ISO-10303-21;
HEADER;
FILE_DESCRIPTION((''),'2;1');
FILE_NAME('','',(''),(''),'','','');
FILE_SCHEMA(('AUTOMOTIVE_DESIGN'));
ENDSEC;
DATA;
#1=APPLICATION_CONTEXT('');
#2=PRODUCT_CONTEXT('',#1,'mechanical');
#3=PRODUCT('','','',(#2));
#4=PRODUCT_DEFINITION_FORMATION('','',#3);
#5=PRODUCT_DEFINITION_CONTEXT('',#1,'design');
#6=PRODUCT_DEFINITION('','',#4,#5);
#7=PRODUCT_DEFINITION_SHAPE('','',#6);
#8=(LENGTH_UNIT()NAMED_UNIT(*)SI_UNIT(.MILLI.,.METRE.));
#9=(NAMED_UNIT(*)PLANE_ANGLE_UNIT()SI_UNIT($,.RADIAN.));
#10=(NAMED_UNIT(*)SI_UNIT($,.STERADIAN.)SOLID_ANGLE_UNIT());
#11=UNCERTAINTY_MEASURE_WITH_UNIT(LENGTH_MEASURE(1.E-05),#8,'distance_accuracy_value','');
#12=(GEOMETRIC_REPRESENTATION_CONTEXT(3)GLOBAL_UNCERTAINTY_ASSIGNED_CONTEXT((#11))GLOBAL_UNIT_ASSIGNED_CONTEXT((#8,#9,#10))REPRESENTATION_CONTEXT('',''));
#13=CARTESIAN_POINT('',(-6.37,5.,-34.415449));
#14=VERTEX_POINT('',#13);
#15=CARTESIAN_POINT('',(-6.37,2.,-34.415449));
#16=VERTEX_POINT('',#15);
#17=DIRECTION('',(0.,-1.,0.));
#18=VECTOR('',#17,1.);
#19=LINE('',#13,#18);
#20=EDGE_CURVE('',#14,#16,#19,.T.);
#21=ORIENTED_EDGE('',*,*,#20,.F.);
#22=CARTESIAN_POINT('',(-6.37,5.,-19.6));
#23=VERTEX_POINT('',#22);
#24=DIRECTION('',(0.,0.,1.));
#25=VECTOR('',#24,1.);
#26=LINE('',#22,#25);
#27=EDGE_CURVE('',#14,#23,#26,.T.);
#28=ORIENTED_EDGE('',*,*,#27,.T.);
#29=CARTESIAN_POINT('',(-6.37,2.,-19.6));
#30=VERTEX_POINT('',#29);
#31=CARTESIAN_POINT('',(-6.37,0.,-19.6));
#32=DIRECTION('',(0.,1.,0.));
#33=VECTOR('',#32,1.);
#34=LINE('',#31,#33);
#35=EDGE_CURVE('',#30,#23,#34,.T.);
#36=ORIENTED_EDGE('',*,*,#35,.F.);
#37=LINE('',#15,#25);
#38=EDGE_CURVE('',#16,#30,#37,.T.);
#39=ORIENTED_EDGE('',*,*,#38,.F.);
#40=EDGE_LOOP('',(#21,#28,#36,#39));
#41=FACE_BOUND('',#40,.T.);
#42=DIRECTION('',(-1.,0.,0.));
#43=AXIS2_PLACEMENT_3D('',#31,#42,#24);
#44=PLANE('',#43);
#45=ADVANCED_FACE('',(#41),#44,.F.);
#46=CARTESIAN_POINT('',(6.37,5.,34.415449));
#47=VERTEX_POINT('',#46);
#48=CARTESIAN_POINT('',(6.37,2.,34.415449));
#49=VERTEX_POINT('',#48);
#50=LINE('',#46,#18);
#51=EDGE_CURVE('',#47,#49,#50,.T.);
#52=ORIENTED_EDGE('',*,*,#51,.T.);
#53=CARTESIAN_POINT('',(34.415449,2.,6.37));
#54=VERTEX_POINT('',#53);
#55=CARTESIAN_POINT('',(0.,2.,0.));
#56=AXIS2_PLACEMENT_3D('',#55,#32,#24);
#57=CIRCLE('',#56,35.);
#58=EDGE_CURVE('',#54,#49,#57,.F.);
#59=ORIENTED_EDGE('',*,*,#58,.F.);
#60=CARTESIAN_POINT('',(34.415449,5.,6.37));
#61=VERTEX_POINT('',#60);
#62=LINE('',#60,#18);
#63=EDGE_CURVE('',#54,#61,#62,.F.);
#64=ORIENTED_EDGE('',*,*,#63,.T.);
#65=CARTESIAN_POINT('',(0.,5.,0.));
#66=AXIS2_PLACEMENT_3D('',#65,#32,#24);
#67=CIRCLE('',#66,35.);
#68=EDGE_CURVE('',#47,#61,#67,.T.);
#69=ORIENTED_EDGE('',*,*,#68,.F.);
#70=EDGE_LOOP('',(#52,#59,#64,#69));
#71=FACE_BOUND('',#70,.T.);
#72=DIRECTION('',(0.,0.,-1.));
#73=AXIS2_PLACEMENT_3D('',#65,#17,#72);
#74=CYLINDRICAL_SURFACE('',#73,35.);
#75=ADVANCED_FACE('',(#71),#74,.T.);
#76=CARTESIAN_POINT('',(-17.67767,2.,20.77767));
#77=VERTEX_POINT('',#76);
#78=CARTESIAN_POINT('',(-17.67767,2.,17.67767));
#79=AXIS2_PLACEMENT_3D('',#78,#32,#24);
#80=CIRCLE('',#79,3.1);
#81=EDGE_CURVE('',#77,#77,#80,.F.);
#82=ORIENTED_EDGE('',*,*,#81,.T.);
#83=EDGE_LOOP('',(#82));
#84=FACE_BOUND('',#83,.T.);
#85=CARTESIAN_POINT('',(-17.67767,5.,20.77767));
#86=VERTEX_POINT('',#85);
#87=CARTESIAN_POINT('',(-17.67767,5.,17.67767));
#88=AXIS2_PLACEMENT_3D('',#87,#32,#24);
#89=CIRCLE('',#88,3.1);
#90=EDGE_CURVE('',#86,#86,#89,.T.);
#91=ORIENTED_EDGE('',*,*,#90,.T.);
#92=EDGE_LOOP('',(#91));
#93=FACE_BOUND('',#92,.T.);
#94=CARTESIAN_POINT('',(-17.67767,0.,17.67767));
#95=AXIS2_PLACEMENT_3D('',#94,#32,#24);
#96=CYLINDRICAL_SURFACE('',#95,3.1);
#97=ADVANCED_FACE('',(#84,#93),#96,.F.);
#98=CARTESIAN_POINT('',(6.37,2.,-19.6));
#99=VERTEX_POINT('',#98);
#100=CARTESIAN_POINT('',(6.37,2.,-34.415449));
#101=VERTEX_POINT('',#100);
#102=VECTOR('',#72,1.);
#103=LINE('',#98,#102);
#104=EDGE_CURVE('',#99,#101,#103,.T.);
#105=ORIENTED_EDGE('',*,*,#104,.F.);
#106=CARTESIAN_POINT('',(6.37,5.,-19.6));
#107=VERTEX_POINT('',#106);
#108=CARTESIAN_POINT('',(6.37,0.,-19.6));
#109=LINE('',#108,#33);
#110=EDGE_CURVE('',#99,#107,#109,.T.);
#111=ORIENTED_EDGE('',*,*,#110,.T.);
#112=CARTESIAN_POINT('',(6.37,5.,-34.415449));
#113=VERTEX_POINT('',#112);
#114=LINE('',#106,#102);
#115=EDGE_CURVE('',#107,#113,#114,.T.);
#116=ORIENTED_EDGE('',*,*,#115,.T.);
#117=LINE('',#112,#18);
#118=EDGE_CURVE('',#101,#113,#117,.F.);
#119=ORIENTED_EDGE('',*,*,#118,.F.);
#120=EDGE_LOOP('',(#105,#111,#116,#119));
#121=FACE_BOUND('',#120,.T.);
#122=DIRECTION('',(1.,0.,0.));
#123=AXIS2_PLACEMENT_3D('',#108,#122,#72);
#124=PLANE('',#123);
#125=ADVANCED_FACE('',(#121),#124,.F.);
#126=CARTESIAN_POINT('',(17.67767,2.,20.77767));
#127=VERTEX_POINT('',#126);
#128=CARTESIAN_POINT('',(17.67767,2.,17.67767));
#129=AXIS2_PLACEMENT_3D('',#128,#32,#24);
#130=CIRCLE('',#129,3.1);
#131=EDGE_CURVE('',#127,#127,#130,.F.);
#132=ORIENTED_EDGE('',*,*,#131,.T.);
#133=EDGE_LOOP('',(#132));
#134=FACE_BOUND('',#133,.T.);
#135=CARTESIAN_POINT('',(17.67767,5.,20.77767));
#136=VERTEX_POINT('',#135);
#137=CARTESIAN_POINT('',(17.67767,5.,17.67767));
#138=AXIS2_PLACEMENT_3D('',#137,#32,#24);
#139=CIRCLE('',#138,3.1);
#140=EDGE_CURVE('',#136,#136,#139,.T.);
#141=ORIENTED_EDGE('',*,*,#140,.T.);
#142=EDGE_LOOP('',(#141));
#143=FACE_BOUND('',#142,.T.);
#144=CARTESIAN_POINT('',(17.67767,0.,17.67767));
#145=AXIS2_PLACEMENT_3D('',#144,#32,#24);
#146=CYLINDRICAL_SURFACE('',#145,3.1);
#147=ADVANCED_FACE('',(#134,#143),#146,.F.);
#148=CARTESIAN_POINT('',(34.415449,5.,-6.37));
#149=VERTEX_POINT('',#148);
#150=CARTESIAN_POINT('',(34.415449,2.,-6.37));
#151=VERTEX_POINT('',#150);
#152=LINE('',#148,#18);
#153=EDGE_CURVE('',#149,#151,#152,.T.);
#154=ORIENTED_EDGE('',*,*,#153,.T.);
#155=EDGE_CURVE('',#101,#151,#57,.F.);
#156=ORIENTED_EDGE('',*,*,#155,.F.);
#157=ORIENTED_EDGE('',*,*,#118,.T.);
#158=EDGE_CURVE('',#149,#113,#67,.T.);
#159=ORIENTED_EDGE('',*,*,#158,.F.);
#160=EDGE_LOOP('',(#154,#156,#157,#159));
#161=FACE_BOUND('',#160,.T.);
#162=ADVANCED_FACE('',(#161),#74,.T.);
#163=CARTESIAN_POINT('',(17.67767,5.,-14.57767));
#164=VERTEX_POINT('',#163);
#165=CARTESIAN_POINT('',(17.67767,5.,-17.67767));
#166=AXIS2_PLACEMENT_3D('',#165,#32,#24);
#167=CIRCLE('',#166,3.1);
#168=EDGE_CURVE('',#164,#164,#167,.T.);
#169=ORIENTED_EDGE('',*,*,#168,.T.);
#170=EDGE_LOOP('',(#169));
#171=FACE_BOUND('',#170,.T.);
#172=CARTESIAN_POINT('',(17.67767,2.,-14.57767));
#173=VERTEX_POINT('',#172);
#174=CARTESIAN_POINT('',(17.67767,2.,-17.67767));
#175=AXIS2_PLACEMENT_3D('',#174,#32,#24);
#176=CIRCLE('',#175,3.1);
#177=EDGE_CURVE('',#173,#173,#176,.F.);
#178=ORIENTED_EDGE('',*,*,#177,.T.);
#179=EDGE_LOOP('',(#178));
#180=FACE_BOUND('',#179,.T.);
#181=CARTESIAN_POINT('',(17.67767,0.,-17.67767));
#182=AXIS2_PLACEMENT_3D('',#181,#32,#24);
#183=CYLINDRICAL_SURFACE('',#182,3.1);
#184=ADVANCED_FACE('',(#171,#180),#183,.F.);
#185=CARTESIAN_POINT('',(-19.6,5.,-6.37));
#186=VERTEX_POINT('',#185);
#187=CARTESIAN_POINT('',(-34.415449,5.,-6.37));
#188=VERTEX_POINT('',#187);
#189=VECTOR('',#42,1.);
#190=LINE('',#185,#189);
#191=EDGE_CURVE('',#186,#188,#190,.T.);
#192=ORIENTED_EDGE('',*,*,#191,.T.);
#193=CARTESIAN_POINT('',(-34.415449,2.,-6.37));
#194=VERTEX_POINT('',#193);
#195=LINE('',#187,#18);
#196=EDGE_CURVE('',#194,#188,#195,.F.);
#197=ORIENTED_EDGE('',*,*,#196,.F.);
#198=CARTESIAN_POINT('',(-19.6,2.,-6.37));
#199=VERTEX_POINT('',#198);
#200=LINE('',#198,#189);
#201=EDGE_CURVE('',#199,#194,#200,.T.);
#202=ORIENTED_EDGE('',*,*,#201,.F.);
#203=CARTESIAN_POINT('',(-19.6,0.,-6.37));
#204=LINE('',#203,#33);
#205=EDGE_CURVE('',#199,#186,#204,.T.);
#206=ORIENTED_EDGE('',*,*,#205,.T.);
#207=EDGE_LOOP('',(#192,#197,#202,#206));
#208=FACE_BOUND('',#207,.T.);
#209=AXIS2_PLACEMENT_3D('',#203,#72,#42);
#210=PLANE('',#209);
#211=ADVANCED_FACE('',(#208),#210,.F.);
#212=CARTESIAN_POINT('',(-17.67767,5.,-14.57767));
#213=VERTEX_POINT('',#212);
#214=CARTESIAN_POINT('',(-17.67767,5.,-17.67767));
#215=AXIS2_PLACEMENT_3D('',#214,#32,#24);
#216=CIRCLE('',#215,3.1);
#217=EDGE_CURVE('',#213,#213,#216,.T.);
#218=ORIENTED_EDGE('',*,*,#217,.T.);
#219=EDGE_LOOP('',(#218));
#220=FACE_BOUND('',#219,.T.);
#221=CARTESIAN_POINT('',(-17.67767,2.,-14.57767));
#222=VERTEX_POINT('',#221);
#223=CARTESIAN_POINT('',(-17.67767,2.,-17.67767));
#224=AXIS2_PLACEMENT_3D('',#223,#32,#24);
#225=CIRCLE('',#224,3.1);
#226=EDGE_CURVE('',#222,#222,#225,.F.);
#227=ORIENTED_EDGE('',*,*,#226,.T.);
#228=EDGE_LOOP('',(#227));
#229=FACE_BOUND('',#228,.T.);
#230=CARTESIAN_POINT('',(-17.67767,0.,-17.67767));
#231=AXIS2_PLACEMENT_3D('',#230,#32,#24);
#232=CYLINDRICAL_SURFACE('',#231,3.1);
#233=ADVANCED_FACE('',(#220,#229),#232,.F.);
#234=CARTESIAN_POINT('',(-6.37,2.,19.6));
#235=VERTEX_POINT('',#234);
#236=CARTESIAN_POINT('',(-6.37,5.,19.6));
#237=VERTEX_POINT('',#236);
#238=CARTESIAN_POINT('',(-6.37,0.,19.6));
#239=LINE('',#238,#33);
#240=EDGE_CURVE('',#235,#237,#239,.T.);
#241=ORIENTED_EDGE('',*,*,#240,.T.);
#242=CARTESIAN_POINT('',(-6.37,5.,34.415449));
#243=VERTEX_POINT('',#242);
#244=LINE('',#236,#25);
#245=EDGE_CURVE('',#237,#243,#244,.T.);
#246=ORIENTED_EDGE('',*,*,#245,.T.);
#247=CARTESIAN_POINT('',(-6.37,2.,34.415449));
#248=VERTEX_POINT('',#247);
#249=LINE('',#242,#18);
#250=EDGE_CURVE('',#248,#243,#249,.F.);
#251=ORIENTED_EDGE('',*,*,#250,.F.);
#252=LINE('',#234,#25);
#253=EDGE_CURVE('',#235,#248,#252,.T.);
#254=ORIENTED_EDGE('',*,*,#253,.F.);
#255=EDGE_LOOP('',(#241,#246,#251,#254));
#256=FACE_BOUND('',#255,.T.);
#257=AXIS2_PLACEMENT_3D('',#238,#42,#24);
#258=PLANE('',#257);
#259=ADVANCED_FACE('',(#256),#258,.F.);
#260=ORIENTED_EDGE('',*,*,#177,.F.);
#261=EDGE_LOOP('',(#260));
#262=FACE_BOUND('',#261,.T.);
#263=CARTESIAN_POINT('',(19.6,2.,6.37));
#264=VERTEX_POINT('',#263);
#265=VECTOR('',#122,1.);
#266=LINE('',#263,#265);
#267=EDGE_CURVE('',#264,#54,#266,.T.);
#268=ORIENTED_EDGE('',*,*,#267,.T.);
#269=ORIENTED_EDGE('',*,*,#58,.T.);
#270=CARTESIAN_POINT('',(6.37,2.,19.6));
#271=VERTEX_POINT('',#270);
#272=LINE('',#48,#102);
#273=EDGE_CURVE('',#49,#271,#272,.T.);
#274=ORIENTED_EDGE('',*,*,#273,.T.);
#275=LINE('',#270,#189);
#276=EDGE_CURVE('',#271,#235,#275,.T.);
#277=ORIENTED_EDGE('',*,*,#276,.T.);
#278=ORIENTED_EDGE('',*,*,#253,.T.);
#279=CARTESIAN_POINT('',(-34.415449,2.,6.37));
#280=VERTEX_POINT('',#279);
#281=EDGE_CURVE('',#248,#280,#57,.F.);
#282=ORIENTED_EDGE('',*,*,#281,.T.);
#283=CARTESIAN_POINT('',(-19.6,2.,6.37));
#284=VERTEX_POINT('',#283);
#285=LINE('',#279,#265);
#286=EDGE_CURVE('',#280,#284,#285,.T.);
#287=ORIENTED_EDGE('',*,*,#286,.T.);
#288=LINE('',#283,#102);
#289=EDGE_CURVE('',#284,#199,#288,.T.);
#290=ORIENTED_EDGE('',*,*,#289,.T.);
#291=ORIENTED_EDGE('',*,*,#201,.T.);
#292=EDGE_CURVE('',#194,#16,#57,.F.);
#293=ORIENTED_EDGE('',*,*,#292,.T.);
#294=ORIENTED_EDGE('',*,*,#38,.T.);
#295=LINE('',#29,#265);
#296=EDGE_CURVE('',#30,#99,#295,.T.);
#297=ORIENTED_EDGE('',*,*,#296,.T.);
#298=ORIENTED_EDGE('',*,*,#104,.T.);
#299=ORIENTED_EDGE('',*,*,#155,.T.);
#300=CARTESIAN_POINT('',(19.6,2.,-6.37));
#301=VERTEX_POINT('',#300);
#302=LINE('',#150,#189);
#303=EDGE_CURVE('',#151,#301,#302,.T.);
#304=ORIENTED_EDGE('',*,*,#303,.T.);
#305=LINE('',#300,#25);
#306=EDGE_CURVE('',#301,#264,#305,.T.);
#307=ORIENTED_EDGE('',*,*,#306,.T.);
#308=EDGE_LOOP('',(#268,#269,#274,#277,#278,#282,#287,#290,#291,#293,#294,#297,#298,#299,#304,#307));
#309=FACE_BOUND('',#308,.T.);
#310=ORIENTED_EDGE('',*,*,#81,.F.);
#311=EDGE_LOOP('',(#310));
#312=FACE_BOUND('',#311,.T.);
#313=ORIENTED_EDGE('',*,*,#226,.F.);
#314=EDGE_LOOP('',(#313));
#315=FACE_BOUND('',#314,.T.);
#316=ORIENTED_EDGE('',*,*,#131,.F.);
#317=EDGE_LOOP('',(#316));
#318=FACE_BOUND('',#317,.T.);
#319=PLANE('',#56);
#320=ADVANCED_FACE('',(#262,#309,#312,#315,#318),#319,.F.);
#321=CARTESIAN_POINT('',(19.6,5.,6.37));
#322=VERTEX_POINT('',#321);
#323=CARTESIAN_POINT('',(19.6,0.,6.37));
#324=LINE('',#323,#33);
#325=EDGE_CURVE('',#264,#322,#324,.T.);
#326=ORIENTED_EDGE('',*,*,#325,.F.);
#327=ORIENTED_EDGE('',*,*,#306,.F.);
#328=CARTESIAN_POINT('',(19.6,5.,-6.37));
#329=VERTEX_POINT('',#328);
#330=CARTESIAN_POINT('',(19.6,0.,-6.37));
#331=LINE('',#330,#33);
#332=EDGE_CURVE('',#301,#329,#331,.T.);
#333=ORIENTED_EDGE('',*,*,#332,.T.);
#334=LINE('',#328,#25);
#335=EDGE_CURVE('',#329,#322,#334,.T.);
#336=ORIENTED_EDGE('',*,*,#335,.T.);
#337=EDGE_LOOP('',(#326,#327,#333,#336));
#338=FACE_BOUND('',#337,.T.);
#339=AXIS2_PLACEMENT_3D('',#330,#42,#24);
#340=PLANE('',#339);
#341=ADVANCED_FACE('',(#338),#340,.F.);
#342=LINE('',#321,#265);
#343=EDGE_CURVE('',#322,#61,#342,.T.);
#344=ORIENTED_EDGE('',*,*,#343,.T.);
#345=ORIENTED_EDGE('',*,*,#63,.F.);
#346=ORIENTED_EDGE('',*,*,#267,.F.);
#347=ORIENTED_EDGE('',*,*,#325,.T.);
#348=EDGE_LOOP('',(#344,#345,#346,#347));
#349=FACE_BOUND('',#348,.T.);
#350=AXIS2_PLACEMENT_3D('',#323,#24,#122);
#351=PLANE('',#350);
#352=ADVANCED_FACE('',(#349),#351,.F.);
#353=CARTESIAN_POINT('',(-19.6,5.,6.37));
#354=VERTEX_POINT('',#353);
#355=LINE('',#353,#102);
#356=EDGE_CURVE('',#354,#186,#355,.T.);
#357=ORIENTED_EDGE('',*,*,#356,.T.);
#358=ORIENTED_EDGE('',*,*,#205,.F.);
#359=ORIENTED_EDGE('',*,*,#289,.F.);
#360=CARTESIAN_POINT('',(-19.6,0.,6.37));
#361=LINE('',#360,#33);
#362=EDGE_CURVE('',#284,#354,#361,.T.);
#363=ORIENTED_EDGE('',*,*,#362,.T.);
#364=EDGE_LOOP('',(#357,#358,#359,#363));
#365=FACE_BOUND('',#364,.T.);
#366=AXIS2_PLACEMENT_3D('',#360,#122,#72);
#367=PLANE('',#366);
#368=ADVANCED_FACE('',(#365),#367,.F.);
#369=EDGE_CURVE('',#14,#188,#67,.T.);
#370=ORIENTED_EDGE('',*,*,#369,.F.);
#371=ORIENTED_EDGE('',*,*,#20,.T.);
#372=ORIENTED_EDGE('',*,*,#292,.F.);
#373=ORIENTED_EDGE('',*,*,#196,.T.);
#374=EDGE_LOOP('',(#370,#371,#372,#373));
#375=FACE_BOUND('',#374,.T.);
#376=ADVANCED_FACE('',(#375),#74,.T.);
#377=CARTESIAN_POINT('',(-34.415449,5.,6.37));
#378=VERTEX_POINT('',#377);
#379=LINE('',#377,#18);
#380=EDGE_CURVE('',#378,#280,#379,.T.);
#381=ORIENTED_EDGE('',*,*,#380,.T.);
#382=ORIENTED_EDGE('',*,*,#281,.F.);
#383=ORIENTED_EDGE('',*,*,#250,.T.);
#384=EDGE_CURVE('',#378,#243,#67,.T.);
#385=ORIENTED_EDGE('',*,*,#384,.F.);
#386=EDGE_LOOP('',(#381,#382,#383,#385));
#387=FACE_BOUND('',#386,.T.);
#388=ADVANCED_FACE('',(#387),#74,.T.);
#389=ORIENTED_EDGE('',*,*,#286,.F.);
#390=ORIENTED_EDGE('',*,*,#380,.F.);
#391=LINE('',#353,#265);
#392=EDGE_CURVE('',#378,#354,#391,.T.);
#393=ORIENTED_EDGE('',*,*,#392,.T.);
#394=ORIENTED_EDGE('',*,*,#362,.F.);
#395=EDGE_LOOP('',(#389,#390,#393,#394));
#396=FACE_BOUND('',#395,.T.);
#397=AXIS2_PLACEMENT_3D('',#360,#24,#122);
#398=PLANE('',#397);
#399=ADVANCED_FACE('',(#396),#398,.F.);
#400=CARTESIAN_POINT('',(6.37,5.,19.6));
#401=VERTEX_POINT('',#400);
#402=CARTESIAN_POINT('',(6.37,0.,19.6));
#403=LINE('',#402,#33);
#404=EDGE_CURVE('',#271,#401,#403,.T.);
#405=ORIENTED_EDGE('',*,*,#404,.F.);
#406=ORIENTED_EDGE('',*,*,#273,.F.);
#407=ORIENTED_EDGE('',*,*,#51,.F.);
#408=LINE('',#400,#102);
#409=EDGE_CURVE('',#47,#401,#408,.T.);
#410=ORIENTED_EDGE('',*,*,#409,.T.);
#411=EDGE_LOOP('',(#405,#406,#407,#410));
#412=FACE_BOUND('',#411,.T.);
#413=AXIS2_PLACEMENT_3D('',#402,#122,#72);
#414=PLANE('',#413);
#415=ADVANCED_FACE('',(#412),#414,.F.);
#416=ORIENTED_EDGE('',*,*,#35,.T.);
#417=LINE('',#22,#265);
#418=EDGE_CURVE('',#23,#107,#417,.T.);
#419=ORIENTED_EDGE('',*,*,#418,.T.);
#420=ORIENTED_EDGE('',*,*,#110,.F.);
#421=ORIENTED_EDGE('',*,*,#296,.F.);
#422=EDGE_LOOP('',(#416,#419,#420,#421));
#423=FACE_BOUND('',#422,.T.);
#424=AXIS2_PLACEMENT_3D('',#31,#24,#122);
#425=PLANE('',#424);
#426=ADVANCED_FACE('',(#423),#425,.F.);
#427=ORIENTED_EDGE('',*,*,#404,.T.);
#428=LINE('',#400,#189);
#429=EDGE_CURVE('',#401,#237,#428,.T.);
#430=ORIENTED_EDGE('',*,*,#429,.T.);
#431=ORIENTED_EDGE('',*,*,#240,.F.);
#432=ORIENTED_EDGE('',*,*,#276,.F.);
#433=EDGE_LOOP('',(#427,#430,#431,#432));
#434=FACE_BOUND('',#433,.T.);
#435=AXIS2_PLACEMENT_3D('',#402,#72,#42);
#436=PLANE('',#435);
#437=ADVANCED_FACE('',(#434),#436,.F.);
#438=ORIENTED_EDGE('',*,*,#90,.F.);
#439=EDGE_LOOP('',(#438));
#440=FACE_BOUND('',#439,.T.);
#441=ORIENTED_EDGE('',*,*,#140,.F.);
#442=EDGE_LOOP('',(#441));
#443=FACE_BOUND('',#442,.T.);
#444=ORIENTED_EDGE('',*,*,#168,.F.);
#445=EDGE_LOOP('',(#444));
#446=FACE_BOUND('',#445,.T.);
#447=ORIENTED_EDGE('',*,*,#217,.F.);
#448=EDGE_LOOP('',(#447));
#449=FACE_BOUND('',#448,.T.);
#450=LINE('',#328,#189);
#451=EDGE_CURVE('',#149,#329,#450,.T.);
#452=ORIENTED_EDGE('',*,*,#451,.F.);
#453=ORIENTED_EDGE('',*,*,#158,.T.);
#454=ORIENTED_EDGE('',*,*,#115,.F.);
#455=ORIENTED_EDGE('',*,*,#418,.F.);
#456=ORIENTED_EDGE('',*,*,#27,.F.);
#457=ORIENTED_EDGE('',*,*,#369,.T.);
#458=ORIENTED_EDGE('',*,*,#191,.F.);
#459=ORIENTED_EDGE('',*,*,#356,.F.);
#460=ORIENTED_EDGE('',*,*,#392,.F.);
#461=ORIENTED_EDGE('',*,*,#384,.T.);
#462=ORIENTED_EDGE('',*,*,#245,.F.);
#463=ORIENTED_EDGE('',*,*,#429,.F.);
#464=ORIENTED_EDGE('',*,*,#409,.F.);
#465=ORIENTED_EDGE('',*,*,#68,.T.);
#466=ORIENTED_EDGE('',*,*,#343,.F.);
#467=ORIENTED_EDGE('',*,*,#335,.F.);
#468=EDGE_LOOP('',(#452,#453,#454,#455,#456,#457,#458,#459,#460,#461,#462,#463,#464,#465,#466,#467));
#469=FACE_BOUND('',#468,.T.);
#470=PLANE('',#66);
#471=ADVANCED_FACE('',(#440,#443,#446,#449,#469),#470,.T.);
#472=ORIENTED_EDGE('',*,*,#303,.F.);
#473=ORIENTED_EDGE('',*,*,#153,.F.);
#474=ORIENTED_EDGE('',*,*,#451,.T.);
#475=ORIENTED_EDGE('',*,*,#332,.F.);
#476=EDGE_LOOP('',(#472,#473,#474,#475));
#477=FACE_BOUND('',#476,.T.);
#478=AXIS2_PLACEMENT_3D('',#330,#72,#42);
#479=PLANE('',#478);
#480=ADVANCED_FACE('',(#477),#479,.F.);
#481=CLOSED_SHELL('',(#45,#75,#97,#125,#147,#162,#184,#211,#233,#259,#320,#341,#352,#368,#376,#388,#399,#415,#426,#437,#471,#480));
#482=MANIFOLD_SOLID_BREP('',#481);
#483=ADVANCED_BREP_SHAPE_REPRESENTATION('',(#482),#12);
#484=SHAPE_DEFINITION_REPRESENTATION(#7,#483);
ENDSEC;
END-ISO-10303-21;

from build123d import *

# Parameters (mm, degrees)
SKETCH1_R           = 35
BOSS_EXTRUDE1_DEPTH = 5
SKETCH2_R           = 3.1
CUT_EXTRUDE1_DEPTH  = 50.749371855
SKETCH3_W           = 12.74
SKETCH3_H           = 10.8
CUT_EXTRUDE2_DEPTH  = 5
CIRPATTERN1_COUNT   = 4
SKETCH4_W           = 12.74
SKETCH4_H           = 5
CUT_EXTRUDE3_DEPTH  = 75.344872049
CIRPATTERN2_COUNT   = 4
CUT_EXTRUDE4_DEPTH  = 2


with BuildPart() as part:
    # Sketch1 → Boss-Extrude1 (new body)
    with BuildSketch(Plane(origin=(0, 0, 0), x_dir=(1, 0, 0), z_dir=(0, 1, 0))):
        with Locations(Location((0, 0, 0), (0, 0, 270))):
            Circle(SKETCH1_R)
    extrude(amount=BOSS_EXTRUDE1_DEPTH)

    # Sketch2 → Cut-Extrude1 (cut, through all)
    with BuildSketch(Plane(origin=(0, 5, 0), x_dir=(1, 0, 0), z_dir=(0, 1, 0))):
        with Locations(Location((-17.67766953, 17.67766953, 0), (0, 0, 270))):
            Circle(SKETCH2_R)
        with Locations(Location((17.67766953, 17.67766953, 0), (0, 0, 270))):
            Circle(SKETCH2_R)
        with Locations(Location((17.67766953, -17.67766953, 0), (0, 0, 270))):
            Circle(SKETCH2_R)
        with Locations(Location((-17.67766953, -17.67766953, 0), (0, 0, 270))):
            Circle(SKETCH2_R)
    extrude(amount=-CUT_EXTRUDE1_DEPTH, mode=Mode.SUBTRACT)

    # Sketch3 → Cut-Extrude2 (cut)
    with BuildSketch(Plane(origin=(0, 5, 0), x_dir=(1, 0, 0), z_dir=(0, 1, 0))):
        with Locations((0, 25)):
            Rectangle(SKETCH3_W, SKETCH3_H)
    cut_extrude2 = extrude(amount=-CUT_EXTRUDE2_DEPTH, mode=Mode.SUBTRACT)

    # CirPattern1: Cut-Extrude2 ×4 about axis
    cirpattern1_axis = Axis((0, 0, 0), (0, 1, 0))
    for i in range(1, CIRPATTERN1_COUNT):
        add(cut_extrude2.rotate(cirpattern1_axis, i * 360 / CIRPATTERN1_COUNT), mode=Mode.SUBTRACT)

    # Sketch4 → Cut-Extrude3 (cut, through all)
    with BuildSketch(Plane.XY.offset(-30.4)):
        with Locations((0, 2.5)):
            Rectangle(SKETCH4_W, SKETCH4_H)
    cut_extrude3 = extrude(amount=-CUT_EXTRUDE3_DEPTH, mode=Mode.SUBTRACT)

    # CirPattern2: Cut-Extrude3 ×4 about axis
    cirpattern2_axis = Axis((0, 5, 0), (0, 1, 0))
    for i in range(1, CIRPATTERN2_COUNT):
        add(cut_extrude3.rotate(cirpattern2_axis, i * 360 / CIRPATTERN2_COUNT), mode=Mode.SUBTRACT)

    # Sketch5 → Cut-Extrude4 (cut)
    with BuildSketch(Plane.XZ):
        with BuildLine():
            Line((-19.6, -6.37), (-34.415448566, -6.37))
            ThreePointArc((-34.415448566, -6.37), (-24.748737342, -24.748737342), (-6.37, -34.415448566))
            Line((-6.37, -34.415448566), (-6.37, -19.6))
            Line((-6.37, -19.6), (6.37, -19.6))
            Line((6.37, -19.6), (6.37, -34.415448566))
            ThreePointArc((6.37, -34.415448566), (24.748737342, -24.748737342), (34.415448566, -6.37))
            Line((34.415448566, -6.37), (19.6, -6.37))
            Line((19.6, -6.37), (19.6, 6.37))
            Line((19.6, 6.37), (34.415448566, 6.37))
            ThreePointArc((34.415448566, 6.37), (24.748737342, 24.748737342), (6.37, 34.415448566))
            Line((6.37, 34.415448566), (6.37, 19.6))
            Line((6.37, 19.6), (-6.37, 19.6))
            Line((-6.37, 19.6), (-6.37, 34.415448566))
            ThreePointArc((-6.37, 34.415448566), (-24.748737342, 24.748737342), (-34.415448566, 6.37))
            Line((-34.415448566, 6.37), (-19.6, 6.37))
            Line((-19.6, 6.37), (-19.6, -6.37))
        make_face()
    extrude(amount=-CUT_EXTRUDE4_DEPTH, mode=Mode.SUBTRACT)


solid = part.part
